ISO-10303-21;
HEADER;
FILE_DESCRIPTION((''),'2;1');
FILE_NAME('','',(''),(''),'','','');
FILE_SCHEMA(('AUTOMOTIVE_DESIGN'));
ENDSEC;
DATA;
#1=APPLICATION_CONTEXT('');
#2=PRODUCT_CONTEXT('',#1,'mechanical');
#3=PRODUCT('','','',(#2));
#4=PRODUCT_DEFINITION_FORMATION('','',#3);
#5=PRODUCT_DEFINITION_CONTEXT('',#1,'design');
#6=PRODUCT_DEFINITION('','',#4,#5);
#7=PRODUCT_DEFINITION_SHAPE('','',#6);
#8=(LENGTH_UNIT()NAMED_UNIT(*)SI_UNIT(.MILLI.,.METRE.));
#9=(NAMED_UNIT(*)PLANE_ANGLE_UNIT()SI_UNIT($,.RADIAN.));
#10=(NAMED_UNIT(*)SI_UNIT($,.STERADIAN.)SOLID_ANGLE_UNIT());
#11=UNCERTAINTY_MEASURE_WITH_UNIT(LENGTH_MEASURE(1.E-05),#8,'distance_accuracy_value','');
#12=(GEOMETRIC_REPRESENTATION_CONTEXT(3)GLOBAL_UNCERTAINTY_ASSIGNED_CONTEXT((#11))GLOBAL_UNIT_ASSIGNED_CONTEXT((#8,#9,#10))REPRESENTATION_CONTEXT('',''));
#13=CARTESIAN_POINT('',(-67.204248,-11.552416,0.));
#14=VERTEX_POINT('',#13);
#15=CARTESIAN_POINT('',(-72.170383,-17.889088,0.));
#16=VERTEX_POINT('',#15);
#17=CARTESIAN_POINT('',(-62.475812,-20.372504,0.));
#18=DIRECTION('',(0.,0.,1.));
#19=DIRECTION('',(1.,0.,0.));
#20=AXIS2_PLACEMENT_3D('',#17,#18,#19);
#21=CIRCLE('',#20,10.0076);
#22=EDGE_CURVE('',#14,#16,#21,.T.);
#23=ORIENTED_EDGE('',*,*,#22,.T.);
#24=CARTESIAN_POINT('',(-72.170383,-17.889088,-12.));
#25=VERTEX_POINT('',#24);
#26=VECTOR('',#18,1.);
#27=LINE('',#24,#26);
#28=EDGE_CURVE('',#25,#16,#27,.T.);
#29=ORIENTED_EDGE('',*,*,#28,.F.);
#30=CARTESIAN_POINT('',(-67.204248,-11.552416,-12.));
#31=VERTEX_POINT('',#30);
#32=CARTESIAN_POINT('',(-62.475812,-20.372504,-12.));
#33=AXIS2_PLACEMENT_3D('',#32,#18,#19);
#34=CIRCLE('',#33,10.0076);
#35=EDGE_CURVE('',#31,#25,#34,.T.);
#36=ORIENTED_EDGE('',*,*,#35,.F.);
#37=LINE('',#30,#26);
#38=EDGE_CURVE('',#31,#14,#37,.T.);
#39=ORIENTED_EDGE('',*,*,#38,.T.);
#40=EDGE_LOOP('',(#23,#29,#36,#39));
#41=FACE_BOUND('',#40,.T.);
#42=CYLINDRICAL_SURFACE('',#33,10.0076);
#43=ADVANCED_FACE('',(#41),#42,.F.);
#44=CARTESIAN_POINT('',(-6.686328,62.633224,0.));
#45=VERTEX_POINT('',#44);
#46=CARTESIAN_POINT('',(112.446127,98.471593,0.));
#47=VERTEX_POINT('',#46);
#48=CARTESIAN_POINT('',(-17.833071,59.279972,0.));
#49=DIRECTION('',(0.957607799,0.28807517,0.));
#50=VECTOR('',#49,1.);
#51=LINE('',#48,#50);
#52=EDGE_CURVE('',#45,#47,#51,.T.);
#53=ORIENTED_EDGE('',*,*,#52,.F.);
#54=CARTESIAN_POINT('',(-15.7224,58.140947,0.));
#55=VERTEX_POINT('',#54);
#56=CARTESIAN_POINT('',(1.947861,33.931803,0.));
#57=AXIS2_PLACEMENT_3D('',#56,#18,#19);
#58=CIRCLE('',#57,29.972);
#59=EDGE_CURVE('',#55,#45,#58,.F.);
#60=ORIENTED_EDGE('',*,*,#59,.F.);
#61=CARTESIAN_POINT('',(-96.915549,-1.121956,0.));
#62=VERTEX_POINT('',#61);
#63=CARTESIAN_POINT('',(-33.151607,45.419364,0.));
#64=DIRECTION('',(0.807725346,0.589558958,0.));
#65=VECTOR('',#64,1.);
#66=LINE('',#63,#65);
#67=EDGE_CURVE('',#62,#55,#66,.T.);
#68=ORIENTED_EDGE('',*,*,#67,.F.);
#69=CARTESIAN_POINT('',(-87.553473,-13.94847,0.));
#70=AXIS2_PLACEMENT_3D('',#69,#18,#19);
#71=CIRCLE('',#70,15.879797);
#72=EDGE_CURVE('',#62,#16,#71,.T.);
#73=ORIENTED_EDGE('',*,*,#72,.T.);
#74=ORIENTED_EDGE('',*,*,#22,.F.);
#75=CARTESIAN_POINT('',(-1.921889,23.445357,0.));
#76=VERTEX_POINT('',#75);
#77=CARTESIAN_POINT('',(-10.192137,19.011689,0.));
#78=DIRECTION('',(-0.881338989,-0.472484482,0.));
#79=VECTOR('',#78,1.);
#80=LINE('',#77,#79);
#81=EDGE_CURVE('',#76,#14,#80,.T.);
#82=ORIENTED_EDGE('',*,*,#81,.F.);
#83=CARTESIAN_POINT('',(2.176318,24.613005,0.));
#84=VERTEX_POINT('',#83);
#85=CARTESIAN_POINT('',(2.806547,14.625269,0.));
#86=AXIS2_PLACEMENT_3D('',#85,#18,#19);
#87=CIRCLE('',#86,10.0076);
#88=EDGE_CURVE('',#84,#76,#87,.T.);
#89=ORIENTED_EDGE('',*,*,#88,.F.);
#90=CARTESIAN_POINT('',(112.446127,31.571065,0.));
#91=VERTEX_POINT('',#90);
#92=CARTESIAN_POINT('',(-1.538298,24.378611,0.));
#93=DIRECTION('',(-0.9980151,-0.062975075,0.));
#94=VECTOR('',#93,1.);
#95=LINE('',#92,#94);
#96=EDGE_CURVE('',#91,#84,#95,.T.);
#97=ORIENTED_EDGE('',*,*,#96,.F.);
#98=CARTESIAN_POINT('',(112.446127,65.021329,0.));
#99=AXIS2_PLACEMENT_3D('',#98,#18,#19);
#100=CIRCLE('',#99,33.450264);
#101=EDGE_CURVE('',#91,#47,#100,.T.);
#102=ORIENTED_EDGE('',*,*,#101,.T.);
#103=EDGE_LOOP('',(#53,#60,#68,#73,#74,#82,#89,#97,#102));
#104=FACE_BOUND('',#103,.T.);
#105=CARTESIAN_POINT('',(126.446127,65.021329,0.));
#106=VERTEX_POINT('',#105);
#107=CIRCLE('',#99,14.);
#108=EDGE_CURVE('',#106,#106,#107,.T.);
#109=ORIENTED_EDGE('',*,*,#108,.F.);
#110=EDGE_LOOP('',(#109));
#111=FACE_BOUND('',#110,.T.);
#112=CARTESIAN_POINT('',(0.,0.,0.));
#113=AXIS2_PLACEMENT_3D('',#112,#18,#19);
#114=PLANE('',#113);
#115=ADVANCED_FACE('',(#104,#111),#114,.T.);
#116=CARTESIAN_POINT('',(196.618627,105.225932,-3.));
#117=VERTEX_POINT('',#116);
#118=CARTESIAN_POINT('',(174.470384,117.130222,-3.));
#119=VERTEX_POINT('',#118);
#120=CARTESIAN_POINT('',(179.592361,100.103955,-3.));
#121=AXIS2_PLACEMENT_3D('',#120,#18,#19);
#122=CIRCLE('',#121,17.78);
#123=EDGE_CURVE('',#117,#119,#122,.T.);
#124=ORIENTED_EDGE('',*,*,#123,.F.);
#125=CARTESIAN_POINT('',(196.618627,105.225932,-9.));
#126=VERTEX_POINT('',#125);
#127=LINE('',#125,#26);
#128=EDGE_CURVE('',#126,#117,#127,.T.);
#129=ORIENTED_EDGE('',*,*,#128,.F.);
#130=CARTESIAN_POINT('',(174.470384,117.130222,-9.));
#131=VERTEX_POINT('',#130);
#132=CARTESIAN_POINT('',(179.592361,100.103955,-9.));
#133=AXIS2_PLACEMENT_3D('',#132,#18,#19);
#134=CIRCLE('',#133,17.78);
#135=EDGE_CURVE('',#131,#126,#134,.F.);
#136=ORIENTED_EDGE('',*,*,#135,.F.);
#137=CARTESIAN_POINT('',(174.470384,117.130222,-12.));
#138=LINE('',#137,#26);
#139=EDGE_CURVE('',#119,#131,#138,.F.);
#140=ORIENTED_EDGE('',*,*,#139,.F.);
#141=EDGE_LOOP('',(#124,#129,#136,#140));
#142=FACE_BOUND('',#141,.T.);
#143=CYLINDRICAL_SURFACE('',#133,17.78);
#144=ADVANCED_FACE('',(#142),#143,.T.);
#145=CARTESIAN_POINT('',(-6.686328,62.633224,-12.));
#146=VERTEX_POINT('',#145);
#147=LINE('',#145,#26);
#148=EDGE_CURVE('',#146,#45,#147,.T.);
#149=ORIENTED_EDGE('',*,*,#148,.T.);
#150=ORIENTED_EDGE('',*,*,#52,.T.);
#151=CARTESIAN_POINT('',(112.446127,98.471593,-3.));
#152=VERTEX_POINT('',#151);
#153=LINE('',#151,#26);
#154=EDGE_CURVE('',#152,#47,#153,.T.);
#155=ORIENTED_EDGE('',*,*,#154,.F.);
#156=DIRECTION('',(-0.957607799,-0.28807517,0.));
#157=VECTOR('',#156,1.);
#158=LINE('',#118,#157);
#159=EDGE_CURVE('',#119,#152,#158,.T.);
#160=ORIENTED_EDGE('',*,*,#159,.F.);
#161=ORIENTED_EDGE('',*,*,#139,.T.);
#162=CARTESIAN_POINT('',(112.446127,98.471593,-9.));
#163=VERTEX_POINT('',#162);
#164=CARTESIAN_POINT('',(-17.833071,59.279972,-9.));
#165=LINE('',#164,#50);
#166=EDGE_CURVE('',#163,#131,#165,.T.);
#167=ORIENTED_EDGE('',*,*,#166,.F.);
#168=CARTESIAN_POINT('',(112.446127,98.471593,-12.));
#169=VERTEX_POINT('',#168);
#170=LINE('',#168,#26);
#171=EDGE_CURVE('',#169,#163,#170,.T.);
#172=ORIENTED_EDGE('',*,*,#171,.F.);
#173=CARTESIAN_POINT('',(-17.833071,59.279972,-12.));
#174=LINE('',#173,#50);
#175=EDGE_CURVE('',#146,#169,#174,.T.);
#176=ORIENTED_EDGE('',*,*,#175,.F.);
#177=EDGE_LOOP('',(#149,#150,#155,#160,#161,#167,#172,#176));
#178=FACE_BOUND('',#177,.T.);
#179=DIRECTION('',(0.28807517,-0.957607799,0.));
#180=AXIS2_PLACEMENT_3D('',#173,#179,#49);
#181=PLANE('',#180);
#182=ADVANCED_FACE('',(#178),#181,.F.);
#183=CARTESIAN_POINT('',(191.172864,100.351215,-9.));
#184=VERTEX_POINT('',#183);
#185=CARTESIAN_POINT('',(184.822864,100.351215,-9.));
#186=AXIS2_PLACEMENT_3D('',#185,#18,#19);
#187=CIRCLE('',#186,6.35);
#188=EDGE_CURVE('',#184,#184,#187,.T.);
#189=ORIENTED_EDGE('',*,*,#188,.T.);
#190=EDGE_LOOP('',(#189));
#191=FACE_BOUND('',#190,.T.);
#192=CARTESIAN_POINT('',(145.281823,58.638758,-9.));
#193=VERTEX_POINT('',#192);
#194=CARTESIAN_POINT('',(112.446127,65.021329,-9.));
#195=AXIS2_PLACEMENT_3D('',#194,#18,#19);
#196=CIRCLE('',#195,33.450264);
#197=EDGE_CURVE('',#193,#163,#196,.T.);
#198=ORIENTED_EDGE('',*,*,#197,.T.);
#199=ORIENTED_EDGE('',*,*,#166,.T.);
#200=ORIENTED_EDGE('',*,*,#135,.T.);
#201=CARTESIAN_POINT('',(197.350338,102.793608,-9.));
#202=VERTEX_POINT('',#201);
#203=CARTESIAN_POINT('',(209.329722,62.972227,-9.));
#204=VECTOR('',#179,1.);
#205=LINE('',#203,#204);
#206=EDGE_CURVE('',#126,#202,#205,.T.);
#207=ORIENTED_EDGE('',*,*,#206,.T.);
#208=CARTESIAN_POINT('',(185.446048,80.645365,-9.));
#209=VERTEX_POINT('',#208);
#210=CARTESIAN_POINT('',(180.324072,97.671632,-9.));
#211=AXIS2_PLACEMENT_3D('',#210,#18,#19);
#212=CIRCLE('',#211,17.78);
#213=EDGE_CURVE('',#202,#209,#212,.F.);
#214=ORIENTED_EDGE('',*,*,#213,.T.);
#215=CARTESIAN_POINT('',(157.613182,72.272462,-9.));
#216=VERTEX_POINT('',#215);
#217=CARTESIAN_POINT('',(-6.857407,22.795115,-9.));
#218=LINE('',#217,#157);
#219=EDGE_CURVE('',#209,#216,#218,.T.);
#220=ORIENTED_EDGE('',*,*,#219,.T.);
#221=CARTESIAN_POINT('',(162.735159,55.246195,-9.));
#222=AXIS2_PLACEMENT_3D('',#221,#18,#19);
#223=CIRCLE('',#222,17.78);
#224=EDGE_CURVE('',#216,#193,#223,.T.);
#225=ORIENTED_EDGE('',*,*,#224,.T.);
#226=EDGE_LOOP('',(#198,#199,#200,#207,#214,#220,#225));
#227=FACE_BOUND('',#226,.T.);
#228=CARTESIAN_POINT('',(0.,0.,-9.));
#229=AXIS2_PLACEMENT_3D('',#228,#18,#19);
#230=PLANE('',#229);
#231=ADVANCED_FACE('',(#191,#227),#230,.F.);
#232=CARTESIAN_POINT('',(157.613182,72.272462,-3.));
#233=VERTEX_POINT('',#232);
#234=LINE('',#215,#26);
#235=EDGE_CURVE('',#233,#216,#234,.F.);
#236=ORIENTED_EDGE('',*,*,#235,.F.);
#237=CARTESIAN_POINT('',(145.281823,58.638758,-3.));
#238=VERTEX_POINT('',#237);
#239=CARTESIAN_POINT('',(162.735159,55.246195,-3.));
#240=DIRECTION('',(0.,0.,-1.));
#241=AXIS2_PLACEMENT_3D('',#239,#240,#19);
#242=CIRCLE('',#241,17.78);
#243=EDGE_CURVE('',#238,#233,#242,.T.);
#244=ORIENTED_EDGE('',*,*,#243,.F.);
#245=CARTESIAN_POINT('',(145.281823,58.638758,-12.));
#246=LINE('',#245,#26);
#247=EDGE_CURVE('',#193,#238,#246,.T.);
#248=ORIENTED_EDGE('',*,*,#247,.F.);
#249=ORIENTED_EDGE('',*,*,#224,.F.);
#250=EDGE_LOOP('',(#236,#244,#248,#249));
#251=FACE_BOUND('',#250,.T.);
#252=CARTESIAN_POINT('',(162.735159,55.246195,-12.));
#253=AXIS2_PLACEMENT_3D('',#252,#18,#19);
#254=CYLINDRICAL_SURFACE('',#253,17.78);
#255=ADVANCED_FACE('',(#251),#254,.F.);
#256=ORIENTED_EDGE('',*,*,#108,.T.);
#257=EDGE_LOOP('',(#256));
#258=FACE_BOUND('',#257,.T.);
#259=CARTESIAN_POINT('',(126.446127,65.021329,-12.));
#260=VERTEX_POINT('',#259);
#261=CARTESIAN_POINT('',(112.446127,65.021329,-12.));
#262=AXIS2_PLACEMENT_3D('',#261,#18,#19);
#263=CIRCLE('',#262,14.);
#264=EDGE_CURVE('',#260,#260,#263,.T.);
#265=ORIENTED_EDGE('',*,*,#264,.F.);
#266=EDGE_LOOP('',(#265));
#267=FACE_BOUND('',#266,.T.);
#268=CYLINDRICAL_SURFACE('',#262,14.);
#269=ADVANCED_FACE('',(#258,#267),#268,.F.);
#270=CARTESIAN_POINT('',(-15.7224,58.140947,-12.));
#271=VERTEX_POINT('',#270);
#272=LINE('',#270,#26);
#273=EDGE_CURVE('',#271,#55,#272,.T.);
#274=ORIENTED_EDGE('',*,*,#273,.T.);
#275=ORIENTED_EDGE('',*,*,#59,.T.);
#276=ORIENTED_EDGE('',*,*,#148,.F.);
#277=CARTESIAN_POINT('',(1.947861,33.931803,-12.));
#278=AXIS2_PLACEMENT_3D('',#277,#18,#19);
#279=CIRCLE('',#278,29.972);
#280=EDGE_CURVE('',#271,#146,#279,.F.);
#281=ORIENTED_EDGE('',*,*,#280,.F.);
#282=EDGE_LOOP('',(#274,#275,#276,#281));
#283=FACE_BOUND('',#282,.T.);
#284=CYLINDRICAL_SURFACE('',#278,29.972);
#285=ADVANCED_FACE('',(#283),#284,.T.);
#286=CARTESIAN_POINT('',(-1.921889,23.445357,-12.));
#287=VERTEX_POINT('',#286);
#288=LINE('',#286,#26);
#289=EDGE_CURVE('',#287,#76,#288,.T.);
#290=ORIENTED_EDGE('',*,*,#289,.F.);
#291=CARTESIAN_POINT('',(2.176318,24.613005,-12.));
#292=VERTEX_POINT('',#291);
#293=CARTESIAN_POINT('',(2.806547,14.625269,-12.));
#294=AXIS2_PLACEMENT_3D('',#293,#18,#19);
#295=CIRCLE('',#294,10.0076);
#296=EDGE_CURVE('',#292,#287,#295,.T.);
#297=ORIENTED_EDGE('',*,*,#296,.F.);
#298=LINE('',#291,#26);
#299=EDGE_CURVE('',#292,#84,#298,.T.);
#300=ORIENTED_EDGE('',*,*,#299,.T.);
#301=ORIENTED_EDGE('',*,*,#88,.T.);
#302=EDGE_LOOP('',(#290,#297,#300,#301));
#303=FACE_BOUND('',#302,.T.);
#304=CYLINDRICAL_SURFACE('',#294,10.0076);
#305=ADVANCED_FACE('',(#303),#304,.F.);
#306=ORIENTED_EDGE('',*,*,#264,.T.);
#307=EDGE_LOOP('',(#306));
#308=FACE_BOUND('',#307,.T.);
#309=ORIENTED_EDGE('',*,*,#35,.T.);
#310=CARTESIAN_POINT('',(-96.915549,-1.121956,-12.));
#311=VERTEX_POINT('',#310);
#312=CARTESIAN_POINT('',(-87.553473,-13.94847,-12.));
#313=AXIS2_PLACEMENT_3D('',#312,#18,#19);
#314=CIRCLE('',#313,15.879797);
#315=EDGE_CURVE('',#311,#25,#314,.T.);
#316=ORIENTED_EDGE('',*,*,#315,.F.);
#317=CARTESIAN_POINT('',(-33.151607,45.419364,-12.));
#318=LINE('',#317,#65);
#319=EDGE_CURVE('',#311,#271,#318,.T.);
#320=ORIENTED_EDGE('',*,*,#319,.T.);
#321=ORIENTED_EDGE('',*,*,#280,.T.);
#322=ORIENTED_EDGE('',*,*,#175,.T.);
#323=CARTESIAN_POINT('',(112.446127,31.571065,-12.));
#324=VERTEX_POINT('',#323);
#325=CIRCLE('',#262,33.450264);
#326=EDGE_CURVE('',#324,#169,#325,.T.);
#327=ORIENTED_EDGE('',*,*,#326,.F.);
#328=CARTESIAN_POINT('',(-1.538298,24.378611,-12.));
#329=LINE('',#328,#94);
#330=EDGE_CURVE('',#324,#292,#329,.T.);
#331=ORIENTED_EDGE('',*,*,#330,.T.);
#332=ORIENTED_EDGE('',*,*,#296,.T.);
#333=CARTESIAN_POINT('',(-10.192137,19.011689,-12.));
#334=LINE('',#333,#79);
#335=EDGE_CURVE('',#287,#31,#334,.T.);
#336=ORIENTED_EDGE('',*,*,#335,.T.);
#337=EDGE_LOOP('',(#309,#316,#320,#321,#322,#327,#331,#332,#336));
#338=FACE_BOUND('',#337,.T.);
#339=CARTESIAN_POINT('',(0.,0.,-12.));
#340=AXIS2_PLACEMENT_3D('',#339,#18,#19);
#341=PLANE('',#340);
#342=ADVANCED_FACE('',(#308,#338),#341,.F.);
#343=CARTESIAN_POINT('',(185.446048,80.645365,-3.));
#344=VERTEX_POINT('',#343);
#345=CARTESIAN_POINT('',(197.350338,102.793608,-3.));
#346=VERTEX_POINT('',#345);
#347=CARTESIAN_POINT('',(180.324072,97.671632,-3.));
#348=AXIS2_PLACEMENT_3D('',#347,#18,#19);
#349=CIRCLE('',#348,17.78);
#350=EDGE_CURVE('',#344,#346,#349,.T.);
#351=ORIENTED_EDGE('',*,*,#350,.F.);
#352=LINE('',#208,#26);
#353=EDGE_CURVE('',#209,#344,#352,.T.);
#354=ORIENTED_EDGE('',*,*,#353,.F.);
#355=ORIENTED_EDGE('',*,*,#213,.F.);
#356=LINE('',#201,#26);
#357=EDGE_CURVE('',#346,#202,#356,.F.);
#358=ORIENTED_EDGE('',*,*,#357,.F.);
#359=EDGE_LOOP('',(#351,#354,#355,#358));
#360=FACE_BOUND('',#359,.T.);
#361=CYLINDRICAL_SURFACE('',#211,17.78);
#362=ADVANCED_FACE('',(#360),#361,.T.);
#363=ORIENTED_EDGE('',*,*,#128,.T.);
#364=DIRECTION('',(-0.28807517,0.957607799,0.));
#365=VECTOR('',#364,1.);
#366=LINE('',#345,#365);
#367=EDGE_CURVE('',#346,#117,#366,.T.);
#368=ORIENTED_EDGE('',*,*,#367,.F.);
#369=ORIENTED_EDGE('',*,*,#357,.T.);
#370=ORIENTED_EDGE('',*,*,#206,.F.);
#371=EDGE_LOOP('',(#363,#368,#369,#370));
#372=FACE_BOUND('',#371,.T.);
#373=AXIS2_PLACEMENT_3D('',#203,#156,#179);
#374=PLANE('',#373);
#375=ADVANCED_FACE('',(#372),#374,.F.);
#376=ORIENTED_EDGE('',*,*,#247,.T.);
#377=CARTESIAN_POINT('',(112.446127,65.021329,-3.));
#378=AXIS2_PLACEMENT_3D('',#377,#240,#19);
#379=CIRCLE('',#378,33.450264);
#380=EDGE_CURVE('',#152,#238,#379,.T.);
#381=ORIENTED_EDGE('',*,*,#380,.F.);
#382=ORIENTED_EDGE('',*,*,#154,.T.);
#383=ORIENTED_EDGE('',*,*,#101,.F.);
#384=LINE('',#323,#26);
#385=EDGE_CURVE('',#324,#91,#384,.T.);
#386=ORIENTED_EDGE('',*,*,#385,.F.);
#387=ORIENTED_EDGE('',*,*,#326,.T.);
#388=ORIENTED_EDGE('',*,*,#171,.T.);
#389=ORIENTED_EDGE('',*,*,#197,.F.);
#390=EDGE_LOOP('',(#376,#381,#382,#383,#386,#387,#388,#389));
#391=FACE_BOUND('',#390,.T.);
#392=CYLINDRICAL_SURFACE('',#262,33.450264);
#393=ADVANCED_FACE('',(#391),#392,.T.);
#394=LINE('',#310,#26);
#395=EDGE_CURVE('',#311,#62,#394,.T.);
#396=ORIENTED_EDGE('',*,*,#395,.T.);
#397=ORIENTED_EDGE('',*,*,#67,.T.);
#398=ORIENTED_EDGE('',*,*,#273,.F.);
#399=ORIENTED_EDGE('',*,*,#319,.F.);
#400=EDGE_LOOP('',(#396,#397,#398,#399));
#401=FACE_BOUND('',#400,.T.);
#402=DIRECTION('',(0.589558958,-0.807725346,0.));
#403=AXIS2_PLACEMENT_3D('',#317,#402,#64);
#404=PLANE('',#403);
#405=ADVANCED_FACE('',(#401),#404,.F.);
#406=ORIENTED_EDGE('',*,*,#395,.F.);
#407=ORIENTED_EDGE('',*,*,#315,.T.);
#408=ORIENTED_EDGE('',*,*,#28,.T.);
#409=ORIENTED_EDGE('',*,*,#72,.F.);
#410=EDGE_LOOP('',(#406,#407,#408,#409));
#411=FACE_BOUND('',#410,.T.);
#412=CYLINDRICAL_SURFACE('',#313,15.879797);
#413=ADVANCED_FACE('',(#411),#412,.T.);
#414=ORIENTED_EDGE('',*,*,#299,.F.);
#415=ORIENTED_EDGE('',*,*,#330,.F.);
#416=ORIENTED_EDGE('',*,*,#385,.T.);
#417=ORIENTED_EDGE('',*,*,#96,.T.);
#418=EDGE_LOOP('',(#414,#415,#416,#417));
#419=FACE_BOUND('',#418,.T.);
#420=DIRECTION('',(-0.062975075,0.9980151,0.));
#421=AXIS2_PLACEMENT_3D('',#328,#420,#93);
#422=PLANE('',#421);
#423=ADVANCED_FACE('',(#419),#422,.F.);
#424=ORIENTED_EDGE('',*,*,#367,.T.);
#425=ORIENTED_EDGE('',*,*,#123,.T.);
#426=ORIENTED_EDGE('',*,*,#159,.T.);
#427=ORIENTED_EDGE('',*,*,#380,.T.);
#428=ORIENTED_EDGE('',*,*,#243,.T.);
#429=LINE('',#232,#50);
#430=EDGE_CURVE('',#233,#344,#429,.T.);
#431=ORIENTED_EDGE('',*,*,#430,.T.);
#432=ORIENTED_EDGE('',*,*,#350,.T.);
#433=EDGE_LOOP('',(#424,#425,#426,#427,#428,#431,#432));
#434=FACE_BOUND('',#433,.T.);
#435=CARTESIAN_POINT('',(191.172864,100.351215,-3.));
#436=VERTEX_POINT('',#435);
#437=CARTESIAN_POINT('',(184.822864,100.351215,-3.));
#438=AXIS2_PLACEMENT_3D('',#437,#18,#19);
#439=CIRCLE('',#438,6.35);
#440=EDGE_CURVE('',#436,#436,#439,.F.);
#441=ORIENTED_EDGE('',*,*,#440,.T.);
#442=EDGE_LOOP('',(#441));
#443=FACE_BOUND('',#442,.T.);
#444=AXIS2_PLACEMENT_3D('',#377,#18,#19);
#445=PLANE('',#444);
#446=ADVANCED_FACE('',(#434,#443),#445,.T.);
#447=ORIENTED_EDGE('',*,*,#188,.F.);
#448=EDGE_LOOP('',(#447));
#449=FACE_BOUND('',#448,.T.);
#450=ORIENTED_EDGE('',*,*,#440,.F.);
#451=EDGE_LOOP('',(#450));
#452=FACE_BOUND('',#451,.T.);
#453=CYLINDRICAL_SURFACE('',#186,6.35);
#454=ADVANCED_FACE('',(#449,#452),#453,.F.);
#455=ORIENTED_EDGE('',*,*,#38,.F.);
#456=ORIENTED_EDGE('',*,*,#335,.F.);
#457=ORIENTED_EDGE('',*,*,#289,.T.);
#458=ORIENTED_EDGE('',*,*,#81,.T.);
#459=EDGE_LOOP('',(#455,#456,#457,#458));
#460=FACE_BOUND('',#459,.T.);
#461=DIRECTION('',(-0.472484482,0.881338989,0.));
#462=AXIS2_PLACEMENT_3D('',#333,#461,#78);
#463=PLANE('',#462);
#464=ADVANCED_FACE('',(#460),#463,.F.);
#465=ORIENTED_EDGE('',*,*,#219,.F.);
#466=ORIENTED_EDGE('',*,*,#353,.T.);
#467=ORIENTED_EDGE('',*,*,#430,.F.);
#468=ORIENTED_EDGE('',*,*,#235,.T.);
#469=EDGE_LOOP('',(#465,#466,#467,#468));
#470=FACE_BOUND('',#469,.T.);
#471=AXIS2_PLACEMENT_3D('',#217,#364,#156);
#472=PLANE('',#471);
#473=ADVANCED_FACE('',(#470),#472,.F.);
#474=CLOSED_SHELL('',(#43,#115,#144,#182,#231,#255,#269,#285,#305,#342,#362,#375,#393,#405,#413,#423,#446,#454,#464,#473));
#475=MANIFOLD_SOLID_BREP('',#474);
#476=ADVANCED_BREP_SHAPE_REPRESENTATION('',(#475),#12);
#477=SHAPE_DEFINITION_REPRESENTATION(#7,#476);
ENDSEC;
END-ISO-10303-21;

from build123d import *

# Parameters (mm, degrees)
SKETCH1_R           = 14
BOSS_EXTRUDE1_DEPTH = 12
BOSS_EXTRUDE2_DEPTH = 9
FILLET1_R           = 17.78
CUT_EXTRUDE2_START  = -3
CUT_EXTRUDE2_DEPTH  = 3


with BuildPart() as part:
    # Sketch1 → Boss-Extrude1 (new body)
    with BuildSketch(Plane.XY):
        with BuildLine():
            Line((-96.91554928, -1.121955778), (-15.722399936, 58.140946839))
            ThreePointArc((-15.722399936, 58.140946839), (-11.394783315, 60.770107897), (-6.686327841, 62.633223709))
            Line((-6.686327841, 62.633223709), (112.446127039, 98.471593282))
            ThreePointArc((112.446127039, 98.471593282), (145.896391136, 65.021329185), (112.446127039, 31.571065087))
            Line((112.446127039, 31.571065087), (2.176317829, 24.613004518))
            ThreePointArc((2.176317829, 24.613004518), (0.064344939, 24.249840519), (-1.921888512, 23.445356673))
            Line((-1.921888512, 23.445356673), (-67.204247556, -11.552416003))
            ThreePointArc((-67.204247556, -11.552416003), (-70.352621766, -14.199342537), (-72.170382748, -17.889088499))
            ThreePointArc((-72.170382748, -17.889088499), (-96.461185182, -27.094594937), (-96.91554928, -1.121955778))
        make_face()
        with Locations((112.446127039, 65.021329185)):
            Circle(SKETCH1_R, mode=Mode.SUBTRACT)
    extrude(amount=-BOSS_EXTRUDE1_DEPTH)

    # Sketch2 → Boss-Extrude2 (add)
    with BuildSketch(Plane.XY):
        with BuildLine():
            Line((179.335031787, 118.593643911), (112.446127039, 98.471593282))
            ThreePointArc((112.446127039, 98.471593282), (134.765386203, 89.936602382), (145.694919218, 68.687115155))
            Line((145.694919218, 68.687115155), (190.310695767, 82.108786775))
            Line((190.310695767, 82.108786775), (186.652141107, 94.270405821))
            ThreePointArc((186.652141107, 94.270405821), (178.742054254, 98.521938013), (182.993586447, 106.432024866))
            Line((182.993586447, 106.432024866), (179.335031787, 118.593643911))
        make_face()
        with BuildLine():
            Line((191.496650832, 122.252198571), (179.335031787, 118.593643911))
            Line((179.335031787, 118.593643911), (182.993586447, 106.432024866))
            ThreePointArc((182.993586447, 106.432024866), (188.611437978, 105.447214315), (191.172863777, 100.351215343))
            ThreePointArc((191.172863777, 100.351215343), (189.918862749, 96.562641142), (186.652141107, 94.270405821))
            Line((186.652141107, 94.270405821), (190.310695767, 82.108786775))
            Line((190.310695767, 82.108786775), (202.472314812, 85.767341435))
            Line((202.472314812, 85.767341435), (191.496650832, 122.252198571))
        make_face()
    extrude(amount=-BOSS_EXTRUDE2_DEPTH)

    # Fillet1
    fillet1_edges = [part.edges().sort_by_distance(p)[0] for p in [
        (191.496650832, 122.252198571, -4.5),
        (202.472314812, 85.767341435, -4.5),
        (145.694919218, 68.687115155, -4.5),
    ]]
    fillet(fillet1_edges, radius=FILLET1_R)

    # Sketch4 → Cut-Extrude2 (cut)
    with BuildSketch(Plane.XY.offset(CUT_EXTRUDE2_START)):
        with BuildLine():
            Line((174.470384169, 117.130222047), (112.446127039, 98.471593282))
            ThreePointArc((112.446127039, 98.471593282), (138.257160255, 86.298329266), (145.281823298, 58.638757657))
            ThreePointArc((145.281823298, 58.638757657), (149.548777584, 67.172961066), (157.613182204, 72.272461516))
            Line((157.613182204, 72.272461516), (185.446048149, 80.645364911))
            ThreePointArc((185.446048149, 80.645364911), (195.985244574, 89.254027292), (197.350338288, 102.793608099))
            Line((197.350338288, 102.793608099), (196.618627356, 105.225931908))
            ThreePointArc((196.618627356, 105.225931908), (188.009964976, 115.765128333), (174.470384169, 117.130222047))
        make_face()
    extrude(amount=CUT_EXTRUDE2_DEPTH, mode=Mode.SUBTRACT)


solid = part.part
